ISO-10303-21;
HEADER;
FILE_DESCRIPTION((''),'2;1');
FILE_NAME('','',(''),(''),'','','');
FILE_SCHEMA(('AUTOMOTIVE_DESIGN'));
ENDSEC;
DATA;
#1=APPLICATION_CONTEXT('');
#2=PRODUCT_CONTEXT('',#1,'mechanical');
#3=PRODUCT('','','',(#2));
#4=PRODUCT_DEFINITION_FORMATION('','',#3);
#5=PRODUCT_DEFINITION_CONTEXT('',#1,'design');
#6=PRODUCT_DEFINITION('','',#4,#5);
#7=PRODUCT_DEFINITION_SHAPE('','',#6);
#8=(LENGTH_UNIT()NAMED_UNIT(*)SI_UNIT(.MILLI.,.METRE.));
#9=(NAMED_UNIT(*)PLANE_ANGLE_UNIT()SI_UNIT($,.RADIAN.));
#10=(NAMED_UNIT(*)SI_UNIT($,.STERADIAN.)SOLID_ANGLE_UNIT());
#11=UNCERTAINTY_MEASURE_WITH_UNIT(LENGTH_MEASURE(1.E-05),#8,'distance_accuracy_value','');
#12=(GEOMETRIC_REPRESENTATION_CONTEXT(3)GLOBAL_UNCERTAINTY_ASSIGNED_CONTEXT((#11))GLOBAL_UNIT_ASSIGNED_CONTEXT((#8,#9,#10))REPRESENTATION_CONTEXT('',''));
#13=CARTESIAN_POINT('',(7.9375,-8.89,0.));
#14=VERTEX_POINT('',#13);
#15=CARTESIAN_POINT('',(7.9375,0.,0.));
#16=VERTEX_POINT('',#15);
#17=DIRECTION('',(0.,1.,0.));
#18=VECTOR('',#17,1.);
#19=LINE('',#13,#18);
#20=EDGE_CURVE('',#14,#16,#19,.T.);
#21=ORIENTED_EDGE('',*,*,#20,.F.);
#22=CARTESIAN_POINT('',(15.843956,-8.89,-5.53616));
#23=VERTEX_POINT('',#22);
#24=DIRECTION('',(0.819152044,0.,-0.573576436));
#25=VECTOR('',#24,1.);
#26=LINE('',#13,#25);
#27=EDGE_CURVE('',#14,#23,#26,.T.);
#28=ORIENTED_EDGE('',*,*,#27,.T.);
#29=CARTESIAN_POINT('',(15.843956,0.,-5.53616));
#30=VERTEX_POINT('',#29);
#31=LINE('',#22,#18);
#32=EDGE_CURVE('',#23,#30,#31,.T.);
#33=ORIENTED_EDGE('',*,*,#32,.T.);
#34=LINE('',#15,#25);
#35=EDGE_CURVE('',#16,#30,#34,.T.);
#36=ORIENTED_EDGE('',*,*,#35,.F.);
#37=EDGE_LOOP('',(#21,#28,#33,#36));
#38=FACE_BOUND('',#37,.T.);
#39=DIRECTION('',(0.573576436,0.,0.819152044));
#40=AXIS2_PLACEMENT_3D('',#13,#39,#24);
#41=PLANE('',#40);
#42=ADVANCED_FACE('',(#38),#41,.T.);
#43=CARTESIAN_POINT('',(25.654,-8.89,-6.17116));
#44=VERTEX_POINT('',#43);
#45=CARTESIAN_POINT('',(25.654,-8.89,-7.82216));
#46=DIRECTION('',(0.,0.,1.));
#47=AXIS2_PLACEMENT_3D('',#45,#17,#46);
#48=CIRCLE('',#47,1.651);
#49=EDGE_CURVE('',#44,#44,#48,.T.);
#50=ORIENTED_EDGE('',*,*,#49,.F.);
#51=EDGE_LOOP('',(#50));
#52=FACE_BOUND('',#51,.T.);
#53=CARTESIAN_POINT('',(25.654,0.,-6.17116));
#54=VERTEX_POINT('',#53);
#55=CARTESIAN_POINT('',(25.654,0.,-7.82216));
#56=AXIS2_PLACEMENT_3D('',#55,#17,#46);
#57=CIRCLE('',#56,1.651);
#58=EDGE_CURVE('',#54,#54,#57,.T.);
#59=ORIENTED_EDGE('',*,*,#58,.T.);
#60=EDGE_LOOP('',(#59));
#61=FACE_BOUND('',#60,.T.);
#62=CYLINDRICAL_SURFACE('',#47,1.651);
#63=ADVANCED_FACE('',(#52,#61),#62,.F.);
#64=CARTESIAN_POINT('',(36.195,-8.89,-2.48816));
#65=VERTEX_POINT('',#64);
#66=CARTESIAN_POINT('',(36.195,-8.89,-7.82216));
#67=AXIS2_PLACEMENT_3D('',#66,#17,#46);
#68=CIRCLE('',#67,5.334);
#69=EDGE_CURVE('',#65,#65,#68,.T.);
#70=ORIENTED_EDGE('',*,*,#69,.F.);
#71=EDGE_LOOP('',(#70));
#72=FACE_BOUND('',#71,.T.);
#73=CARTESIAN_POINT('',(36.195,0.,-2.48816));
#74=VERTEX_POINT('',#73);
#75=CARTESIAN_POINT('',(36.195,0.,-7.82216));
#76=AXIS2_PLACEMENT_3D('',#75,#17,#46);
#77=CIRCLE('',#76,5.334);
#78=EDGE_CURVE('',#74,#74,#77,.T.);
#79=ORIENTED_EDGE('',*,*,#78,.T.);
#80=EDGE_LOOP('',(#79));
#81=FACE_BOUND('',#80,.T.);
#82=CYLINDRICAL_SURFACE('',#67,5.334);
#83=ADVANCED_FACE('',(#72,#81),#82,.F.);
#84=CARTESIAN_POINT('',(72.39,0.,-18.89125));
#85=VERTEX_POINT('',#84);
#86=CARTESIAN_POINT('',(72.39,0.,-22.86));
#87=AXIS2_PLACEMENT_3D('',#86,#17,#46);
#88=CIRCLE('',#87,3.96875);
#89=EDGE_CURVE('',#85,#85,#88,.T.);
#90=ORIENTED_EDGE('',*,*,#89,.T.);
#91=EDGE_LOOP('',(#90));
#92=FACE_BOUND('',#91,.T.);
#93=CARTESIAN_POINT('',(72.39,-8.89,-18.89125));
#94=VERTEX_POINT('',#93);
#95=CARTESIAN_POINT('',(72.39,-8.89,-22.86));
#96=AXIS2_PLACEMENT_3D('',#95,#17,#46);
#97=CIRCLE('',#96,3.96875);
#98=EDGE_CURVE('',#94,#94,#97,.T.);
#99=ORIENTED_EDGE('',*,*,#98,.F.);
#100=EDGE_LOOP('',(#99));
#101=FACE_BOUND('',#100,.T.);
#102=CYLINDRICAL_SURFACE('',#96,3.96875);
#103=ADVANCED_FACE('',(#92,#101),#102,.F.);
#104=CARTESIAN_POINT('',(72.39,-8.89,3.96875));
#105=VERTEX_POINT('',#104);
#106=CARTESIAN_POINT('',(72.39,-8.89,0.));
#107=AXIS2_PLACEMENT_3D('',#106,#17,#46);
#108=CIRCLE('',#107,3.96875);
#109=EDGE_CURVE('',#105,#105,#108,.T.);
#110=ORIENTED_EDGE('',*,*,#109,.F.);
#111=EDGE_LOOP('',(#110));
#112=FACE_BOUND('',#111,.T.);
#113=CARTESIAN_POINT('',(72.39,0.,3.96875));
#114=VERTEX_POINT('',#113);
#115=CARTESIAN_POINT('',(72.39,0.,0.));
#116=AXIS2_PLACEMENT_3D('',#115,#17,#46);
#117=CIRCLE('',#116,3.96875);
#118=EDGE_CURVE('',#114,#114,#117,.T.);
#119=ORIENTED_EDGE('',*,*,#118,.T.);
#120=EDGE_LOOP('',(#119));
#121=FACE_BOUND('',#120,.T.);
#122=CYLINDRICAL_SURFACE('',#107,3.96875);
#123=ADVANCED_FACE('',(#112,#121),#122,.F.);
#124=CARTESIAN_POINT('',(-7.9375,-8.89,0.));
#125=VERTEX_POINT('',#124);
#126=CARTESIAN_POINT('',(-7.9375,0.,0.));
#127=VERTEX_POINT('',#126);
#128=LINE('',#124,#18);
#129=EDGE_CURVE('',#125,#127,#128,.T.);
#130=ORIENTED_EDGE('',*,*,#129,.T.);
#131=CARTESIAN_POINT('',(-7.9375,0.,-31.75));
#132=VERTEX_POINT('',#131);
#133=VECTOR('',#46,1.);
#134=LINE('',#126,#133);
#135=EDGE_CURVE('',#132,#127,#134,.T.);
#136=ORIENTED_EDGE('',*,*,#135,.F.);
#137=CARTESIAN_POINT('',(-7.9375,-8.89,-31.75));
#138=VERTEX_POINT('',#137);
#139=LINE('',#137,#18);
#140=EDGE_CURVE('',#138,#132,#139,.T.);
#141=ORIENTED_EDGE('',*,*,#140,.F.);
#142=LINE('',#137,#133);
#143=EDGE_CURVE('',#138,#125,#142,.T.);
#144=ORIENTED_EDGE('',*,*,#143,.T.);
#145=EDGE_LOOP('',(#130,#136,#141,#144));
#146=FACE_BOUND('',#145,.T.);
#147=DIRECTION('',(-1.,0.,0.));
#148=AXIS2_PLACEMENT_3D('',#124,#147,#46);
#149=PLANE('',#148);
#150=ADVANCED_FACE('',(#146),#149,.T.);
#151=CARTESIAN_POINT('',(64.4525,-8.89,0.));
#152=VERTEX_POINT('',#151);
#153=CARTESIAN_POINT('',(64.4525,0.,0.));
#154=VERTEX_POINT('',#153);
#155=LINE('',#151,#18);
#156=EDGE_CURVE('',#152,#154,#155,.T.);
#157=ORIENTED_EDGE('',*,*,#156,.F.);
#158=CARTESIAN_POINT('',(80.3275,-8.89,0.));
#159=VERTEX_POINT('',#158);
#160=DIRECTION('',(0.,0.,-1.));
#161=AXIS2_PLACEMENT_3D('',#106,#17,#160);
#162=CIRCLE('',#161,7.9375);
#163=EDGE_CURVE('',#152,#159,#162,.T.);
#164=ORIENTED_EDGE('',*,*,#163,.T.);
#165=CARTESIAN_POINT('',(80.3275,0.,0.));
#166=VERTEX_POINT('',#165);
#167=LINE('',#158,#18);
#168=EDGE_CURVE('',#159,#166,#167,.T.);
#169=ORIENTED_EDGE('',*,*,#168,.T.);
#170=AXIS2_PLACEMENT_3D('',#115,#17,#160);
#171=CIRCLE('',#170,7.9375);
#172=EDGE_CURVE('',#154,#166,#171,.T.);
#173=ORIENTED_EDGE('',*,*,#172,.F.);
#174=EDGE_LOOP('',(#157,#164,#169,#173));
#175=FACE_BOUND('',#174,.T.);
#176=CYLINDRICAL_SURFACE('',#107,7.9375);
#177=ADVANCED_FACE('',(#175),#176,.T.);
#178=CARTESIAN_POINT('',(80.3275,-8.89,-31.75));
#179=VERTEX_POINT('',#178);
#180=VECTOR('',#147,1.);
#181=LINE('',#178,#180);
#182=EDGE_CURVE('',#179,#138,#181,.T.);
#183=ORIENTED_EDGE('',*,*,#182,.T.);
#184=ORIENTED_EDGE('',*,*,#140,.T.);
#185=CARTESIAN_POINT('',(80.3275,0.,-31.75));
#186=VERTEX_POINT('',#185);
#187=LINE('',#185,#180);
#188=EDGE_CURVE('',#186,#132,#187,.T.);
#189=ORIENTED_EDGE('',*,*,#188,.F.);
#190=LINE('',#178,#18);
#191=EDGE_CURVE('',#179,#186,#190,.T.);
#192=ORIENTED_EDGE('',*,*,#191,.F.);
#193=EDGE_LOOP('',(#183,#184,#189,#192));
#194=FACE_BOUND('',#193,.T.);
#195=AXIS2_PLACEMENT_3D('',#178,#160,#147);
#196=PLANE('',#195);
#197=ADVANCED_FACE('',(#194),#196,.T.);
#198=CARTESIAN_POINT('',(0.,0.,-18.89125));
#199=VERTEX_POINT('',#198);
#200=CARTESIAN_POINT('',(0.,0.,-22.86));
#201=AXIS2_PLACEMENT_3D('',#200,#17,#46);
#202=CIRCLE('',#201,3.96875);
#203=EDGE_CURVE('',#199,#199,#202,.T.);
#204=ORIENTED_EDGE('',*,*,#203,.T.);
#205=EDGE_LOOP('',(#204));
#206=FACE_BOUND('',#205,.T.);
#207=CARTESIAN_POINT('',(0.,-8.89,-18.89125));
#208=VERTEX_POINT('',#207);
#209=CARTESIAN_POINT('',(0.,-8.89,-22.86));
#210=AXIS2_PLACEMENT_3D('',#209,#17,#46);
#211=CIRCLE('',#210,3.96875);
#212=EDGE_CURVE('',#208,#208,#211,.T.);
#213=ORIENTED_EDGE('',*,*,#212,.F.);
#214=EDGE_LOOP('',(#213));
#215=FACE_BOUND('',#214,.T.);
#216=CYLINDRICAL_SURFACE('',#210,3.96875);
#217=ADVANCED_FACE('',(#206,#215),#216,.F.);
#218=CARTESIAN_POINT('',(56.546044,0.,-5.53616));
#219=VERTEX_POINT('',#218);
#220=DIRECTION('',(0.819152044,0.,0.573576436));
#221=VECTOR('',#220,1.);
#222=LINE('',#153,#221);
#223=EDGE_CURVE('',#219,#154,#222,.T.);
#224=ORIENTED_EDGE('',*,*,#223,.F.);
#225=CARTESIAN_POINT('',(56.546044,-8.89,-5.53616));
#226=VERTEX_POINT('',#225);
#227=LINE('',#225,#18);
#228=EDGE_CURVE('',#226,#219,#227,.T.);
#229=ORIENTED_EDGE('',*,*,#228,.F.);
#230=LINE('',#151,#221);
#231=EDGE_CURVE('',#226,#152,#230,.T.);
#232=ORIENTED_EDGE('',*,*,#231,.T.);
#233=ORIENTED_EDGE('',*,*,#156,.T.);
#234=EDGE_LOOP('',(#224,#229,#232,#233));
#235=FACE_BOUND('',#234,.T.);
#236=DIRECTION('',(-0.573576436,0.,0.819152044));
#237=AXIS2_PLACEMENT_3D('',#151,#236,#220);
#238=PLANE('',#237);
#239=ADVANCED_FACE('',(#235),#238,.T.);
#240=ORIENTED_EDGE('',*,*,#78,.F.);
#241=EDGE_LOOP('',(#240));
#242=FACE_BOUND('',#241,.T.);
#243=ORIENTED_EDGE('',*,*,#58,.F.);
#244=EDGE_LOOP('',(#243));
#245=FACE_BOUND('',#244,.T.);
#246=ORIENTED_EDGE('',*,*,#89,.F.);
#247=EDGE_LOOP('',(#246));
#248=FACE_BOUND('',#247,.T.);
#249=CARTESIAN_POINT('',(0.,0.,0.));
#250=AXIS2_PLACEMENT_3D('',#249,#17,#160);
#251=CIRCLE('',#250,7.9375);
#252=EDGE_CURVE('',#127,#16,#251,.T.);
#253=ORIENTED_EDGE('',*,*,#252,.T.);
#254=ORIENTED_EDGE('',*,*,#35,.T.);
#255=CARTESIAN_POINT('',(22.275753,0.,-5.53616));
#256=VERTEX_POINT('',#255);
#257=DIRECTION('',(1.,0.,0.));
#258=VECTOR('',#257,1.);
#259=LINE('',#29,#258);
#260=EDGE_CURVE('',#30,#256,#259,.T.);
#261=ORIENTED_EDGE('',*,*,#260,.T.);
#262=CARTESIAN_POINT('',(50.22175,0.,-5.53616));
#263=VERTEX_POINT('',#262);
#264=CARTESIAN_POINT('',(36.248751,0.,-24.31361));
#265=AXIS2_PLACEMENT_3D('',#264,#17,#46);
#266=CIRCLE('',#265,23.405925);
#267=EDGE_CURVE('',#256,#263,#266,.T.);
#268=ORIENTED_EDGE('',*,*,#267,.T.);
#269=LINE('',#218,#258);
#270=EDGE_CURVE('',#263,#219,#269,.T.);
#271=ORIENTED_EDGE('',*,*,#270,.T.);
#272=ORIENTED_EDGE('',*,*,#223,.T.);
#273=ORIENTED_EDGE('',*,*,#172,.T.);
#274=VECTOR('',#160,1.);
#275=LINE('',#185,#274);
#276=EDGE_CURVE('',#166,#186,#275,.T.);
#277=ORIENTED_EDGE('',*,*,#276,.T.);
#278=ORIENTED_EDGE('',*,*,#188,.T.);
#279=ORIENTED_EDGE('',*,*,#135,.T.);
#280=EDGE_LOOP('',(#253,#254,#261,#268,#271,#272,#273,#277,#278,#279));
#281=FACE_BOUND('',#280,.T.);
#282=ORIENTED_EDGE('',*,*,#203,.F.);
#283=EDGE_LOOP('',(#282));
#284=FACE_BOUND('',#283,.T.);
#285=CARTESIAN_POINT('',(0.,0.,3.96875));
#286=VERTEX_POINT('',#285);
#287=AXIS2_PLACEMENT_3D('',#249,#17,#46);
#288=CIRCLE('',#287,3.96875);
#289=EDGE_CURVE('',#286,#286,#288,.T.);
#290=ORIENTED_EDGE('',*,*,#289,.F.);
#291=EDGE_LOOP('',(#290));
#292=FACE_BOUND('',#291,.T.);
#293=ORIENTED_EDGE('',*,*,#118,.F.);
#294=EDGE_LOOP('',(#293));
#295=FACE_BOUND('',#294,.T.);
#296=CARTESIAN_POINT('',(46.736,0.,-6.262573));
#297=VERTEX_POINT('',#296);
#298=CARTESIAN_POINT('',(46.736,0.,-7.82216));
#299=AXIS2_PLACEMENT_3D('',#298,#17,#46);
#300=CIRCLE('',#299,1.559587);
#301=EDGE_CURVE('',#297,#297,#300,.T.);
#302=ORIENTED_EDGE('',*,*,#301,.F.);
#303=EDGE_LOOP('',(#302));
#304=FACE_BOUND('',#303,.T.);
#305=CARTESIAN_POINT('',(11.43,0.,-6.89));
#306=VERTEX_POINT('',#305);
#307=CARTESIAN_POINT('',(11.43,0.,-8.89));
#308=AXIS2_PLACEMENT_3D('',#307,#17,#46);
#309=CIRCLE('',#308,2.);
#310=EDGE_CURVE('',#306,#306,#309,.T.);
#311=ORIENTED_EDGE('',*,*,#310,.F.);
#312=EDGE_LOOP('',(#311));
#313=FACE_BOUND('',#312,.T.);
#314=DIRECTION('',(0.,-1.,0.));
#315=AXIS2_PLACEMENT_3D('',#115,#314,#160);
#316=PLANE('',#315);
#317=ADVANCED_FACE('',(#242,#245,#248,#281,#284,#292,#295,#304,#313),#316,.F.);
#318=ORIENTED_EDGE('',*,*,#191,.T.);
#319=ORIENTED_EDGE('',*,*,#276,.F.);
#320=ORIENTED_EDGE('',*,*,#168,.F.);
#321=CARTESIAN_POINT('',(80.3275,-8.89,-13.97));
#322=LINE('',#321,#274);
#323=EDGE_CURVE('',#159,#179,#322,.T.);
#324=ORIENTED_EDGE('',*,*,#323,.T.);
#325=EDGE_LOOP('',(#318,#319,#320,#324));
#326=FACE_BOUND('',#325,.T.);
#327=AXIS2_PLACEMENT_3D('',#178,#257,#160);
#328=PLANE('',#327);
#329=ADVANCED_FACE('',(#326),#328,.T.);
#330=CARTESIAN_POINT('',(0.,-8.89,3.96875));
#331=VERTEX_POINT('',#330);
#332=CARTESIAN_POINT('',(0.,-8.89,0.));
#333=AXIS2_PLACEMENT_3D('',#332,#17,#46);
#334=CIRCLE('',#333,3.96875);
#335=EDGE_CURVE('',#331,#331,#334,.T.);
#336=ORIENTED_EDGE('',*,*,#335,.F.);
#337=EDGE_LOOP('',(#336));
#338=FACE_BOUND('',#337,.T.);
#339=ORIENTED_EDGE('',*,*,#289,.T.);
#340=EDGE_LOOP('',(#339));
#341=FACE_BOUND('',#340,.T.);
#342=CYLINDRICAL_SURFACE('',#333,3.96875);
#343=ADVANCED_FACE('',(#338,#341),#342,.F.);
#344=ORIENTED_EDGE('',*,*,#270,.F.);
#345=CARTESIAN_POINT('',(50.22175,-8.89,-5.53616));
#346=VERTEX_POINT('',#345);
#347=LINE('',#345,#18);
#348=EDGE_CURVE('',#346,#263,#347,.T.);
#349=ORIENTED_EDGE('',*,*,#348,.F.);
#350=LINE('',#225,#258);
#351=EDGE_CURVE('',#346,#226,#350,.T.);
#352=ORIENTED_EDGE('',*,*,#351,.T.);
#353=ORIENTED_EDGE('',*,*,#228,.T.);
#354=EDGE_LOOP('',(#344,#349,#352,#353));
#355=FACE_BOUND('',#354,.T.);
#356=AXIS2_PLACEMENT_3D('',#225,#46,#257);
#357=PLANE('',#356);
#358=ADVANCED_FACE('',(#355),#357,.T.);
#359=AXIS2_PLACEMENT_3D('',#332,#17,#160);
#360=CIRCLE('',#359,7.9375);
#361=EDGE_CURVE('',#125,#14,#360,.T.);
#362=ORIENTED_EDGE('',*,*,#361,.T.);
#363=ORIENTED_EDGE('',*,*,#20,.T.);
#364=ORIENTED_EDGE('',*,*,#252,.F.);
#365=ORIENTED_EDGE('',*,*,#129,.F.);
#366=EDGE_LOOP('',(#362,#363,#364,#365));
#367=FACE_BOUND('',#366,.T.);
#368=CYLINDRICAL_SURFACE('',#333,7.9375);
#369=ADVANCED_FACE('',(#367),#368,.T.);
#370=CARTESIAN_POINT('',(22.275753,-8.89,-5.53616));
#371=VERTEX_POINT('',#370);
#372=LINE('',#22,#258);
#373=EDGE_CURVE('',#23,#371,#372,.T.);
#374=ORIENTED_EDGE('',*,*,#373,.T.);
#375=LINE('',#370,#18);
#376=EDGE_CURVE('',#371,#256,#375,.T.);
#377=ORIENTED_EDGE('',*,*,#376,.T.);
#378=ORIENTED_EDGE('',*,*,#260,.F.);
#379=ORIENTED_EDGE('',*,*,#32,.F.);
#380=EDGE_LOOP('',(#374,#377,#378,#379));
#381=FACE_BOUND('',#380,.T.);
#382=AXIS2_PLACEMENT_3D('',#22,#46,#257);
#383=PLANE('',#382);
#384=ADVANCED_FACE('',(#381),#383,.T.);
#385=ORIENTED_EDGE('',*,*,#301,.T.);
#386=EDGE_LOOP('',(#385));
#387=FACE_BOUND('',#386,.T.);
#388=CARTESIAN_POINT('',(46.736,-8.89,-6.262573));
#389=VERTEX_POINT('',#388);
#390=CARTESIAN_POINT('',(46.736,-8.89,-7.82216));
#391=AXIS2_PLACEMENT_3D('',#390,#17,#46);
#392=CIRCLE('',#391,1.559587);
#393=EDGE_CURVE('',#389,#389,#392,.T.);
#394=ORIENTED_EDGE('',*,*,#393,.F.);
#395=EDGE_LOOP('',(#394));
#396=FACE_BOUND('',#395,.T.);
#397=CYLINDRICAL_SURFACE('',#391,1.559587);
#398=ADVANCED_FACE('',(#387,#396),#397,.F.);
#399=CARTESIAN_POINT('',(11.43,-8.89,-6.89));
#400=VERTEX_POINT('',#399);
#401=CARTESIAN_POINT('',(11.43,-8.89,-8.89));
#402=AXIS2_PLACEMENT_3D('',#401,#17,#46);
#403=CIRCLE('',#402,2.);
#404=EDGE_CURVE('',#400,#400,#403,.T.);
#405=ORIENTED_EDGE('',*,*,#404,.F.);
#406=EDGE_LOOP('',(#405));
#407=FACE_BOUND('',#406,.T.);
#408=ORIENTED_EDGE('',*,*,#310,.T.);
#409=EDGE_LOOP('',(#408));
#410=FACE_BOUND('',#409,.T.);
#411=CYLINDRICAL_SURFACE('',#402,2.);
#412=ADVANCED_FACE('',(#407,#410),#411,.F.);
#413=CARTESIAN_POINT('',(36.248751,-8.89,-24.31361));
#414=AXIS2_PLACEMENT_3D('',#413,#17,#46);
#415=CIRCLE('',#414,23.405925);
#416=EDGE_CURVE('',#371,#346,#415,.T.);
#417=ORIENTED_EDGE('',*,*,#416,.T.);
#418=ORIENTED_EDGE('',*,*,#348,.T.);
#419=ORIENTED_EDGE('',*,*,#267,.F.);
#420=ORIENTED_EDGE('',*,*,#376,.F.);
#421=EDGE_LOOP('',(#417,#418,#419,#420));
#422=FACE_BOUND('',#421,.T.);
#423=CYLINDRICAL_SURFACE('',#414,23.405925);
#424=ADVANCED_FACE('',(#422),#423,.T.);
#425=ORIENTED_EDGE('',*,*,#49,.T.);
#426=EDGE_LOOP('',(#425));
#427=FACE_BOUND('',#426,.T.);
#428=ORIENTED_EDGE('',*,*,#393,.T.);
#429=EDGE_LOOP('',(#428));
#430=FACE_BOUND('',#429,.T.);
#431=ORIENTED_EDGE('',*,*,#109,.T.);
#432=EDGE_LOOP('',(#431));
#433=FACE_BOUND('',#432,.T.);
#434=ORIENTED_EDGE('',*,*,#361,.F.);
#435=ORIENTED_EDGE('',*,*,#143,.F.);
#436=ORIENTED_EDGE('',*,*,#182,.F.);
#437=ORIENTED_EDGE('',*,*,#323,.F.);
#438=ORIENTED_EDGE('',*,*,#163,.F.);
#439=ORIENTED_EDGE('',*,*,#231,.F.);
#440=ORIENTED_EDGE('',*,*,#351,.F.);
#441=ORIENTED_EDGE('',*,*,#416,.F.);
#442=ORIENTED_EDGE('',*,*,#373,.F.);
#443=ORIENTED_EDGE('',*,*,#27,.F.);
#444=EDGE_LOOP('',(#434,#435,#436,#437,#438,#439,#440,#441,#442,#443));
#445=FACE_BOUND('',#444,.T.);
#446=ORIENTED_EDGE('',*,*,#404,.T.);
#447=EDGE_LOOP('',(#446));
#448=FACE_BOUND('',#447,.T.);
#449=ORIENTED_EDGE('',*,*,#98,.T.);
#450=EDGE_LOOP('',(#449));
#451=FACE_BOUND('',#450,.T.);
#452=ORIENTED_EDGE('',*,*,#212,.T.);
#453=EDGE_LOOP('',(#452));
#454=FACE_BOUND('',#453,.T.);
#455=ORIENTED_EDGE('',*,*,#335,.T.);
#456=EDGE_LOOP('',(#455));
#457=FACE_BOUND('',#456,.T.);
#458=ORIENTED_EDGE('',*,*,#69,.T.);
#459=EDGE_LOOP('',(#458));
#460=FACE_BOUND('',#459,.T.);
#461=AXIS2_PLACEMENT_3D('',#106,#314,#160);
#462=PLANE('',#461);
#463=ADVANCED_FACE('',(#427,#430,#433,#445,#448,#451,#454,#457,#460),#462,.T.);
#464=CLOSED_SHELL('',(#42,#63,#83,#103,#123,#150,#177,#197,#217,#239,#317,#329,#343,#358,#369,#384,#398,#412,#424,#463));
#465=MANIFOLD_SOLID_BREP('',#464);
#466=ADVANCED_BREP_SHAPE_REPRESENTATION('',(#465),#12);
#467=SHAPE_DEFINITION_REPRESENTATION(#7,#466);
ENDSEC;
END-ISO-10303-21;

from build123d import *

# Parameters (mm, degrees)
SKETCH1_R           = 3.96875
SKETCH1_R_2         = 2
SKETCH1_R_3         = 1.651
SKETCH1_R_4         = 1.559587107
SKETCH1_R_5         = 5.334
BOSS_EXTRUDE1_DEPTH = 8.89


with BuildPart() as part:
    # Sketch1 → Boss-Extrude1 (new body)
    with BuildSketch(Plane(origin=(0, 0, 0), x_dir=(1, 0, 0), z_dir=(0, 1, 0))):
        with BuildLine():
            Line((80.3275, 31.75), (-7.9375, 31.75))
            Line((-7.9375, 31.75), (-7.9375, 13.97))
            Line((-7.9375, 13.97), (-7.9375, 0))
            ThreePointArc((-7.9375, 0), (0, -7.9375), (7.9375, 0))
            Line((7.9375, 0), (15.843955531, 5.536159764))
            Line((15.843955531, 5.536159764), (22.275753266, 5.536159764))
            ThreePointArc((22.275753266, 5.536159764), (36.248751472, 0.907685249), (50.221749679, 5.536159764))
            Line((50.221749679, 5.536159764), (56.546044469, 5.536159764))
            Line((56.546044469, 5.536159764), (64.4525, 0))
            ThreePointArc((64.4525, 0), (72.39, -7.9375), (80.3275, 0))
            Line((80.3275, 0), (80.3275, 13.97))
            Line((80.3275, 13.97), (80.3275, 31.75))
        make_face()
        with Locations(Location((0, 0, 0), (0, 0, 270))):
            Circle(SKETCH1_R, mode=Mode.SUBTRACT)
        with Locations(Location((72.39, 0, 0), (0, 0, 270))):
            Circle(SKETCH1_R, mode=Mode.SUBTRACT)
        with Locations(Location((72.39, 22.86, 0), (0, 0, 270))):
            Circle(SKETCH1_R, mode=Mode.SUBTRACT)
        with Locations(Location((0, 22.86, 0), (0, 0, 270))):
            Circle(SKETCH1_R, mode=Mode.SUBTRACT)
        with Locations(Location((11.43, 8.89, 0), (0, 0, 270))):
            Circle(SKETCH1_R_2, mode=Mode.SUBTRACT)
        with Locations(Location((25.654, 7.822159764, 0), (0, 0, 270))):
            Circle(SKETCH1_R_3, mode=Mode.SUBTRACT)
        with Locations(Location((46.736, 7.822159764, 0), (0, 0, 270))):
            Circle(SKETCH1_R_4, mode=Mode.SUBTRACT)
        with Locations(Location((36.195, 7.822159764, 0), (0, 0, 270))):
            Circle(SKETCH1_R_5, mode=Mode.SUBTRACT)
    extrude(amount=-BOSS_EXTRUDE1_DEPTH)


solid = part.part
